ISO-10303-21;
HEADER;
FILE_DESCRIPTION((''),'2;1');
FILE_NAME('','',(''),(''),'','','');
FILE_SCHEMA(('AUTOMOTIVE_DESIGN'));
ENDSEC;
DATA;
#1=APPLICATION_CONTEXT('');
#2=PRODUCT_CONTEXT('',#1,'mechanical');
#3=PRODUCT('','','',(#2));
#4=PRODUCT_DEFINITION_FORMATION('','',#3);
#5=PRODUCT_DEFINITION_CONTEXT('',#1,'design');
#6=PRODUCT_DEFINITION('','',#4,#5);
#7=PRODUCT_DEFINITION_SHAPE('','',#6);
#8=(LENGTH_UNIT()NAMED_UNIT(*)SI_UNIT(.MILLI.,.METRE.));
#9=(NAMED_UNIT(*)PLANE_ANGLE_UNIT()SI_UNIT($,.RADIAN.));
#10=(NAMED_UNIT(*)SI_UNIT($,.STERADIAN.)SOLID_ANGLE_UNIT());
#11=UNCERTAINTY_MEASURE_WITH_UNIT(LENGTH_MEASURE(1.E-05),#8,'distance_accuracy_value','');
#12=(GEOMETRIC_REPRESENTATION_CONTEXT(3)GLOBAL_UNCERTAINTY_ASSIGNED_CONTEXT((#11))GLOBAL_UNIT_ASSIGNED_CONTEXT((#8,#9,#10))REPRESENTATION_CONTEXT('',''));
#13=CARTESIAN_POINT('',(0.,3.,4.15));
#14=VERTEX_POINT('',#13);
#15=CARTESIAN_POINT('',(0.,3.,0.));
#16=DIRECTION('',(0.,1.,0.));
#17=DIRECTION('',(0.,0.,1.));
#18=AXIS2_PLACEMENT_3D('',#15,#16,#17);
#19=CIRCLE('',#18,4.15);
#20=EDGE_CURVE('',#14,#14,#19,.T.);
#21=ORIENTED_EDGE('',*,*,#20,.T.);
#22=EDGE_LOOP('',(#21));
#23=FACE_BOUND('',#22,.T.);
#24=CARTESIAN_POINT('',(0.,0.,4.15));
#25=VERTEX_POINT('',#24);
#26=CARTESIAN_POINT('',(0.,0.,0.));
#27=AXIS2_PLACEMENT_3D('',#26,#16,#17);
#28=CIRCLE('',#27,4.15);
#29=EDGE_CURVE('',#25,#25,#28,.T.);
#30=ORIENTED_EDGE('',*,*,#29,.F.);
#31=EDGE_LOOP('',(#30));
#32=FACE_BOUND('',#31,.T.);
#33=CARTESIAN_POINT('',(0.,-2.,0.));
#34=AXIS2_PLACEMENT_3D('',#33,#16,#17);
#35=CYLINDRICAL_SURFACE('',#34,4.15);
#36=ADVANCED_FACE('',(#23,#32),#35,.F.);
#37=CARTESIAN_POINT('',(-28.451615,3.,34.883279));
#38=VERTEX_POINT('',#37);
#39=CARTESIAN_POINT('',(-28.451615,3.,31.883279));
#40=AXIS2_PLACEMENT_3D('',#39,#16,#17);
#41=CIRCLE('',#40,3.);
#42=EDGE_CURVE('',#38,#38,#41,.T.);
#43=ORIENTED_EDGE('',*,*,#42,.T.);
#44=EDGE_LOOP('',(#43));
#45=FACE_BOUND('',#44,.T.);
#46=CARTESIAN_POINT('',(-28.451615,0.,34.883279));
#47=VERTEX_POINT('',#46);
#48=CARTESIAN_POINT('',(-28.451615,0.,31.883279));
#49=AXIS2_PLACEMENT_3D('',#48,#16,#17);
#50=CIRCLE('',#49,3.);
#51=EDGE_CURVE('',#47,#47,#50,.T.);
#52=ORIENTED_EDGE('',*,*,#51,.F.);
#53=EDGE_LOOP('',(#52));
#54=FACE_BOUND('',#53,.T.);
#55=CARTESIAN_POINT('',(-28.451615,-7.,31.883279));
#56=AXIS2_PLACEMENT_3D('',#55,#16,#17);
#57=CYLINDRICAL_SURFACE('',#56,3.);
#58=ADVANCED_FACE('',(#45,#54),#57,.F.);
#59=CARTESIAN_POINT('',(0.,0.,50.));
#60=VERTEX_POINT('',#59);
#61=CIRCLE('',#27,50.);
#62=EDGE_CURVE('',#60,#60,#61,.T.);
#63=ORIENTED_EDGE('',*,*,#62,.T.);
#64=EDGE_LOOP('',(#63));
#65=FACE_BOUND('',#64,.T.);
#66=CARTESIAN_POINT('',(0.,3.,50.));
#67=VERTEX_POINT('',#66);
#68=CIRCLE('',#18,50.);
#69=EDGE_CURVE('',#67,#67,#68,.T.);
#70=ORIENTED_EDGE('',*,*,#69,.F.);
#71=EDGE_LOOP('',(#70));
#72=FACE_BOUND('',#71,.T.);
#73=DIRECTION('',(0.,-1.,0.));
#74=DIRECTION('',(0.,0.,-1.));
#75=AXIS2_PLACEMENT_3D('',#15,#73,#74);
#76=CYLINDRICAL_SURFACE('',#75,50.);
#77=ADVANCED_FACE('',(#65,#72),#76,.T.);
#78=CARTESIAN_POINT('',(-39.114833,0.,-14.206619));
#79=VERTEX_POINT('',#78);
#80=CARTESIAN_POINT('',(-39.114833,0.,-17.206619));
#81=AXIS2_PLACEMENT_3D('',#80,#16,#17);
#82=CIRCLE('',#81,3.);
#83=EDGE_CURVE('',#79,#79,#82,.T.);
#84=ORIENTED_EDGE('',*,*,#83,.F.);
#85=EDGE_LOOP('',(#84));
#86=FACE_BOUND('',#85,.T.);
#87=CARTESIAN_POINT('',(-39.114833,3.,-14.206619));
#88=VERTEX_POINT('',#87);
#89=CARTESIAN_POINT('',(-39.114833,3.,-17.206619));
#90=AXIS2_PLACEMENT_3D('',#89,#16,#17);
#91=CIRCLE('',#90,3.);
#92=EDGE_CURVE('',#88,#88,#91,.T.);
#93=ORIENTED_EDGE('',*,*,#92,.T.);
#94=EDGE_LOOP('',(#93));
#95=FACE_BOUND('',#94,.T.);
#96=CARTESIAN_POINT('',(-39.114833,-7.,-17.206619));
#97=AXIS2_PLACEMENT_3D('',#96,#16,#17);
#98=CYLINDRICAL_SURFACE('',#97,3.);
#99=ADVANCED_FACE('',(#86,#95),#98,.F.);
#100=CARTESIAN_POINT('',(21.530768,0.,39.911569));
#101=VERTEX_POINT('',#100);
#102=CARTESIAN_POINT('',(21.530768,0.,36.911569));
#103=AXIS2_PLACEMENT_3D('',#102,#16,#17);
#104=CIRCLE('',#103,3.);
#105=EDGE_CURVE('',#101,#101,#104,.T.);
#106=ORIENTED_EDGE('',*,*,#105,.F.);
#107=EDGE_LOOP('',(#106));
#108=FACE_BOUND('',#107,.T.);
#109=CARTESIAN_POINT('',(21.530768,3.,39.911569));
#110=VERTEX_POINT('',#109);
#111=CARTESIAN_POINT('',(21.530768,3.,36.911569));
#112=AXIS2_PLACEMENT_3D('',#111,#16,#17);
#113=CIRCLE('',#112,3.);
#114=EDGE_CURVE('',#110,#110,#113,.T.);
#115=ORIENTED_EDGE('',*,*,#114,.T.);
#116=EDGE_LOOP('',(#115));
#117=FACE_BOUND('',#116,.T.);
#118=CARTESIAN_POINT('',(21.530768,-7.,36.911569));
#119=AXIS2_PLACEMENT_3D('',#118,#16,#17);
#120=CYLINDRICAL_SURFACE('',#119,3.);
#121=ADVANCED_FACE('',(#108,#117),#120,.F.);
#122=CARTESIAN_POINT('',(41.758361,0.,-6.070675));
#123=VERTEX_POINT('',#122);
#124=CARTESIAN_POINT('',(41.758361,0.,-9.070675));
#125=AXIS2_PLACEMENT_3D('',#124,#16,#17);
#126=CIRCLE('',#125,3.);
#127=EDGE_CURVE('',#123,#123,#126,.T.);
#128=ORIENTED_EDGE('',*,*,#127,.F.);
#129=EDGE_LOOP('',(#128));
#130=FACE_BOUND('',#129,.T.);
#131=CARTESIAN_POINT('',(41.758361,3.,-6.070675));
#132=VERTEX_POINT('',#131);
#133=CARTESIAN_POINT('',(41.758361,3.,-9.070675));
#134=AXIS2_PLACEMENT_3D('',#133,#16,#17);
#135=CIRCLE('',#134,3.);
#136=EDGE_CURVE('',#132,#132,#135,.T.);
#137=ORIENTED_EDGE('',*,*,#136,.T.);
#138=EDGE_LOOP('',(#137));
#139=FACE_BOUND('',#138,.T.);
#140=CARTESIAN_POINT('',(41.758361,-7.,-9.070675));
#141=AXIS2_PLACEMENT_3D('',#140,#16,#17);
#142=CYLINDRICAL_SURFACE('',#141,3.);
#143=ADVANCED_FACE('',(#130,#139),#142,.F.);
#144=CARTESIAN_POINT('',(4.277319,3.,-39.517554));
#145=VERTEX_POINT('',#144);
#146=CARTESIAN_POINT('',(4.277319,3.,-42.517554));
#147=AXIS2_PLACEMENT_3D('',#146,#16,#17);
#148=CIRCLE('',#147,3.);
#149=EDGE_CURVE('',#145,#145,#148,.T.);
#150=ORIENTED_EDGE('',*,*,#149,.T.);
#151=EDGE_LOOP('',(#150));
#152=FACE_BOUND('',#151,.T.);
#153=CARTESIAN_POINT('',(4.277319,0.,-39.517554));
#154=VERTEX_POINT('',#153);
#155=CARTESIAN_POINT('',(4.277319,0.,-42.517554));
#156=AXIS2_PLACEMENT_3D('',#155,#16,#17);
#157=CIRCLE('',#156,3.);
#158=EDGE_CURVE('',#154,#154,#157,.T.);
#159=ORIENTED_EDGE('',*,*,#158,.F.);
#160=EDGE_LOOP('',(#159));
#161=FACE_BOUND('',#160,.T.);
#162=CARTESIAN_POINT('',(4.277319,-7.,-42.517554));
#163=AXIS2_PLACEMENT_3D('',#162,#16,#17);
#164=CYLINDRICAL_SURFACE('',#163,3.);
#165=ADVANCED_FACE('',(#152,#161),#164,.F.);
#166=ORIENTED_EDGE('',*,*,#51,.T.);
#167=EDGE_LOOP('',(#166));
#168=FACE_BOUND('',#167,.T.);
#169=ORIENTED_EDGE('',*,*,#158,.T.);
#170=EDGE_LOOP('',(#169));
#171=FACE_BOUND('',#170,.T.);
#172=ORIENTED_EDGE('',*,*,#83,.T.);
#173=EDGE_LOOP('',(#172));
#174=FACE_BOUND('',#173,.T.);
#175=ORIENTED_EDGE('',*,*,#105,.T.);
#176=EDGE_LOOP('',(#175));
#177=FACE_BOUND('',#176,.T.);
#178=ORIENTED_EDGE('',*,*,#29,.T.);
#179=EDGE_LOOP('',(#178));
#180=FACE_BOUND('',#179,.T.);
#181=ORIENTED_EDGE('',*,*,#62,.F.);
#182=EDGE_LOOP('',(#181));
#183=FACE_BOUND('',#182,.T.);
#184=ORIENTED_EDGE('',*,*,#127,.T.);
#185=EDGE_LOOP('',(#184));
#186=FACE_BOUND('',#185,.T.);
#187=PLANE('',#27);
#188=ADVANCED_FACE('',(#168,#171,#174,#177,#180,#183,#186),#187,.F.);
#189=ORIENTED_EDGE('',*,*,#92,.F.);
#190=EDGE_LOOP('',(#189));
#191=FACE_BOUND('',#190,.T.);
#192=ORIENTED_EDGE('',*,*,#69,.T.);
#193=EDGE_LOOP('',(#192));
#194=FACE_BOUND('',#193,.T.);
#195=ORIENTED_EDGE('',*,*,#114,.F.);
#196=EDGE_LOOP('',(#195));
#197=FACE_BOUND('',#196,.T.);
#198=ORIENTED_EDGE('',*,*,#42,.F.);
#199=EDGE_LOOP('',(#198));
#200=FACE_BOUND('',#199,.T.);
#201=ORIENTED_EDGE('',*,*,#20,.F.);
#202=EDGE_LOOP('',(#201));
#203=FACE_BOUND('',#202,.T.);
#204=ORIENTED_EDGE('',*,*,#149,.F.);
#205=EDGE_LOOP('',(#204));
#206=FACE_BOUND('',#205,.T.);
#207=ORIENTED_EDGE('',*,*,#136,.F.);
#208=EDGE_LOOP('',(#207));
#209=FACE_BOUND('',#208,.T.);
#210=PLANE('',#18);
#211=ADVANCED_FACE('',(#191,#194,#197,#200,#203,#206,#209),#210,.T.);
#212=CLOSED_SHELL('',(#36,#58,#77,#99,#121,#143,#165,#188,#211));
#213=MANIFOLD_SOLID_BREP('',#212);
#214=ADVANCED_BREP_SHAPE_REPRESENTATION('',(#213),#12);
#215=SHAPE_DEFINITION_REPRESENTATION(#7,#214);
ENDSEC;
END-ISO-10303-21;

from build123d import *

# Parameters (mm, degrees)
SKETCH1_R           = 50
BOSS_EXTRUDE1_DEPTH = 3
SKETCH2_R           = 4.15
CUT_EXTRUDE1_DEPTH  = 5
SKETCH3_R           = 3
CUT_EXTRUDE2_DEPTH  = 10


with BuildPart() as part:
    # Sketch1 → Boss-Extrude1 (new body)
    with BuildSketch(Plane(origin=(0, 0, 0), x_dir=(1, 0, 0), z_dir=(0, 1, 0))):
        with Locations(Location((0, 0, 0), (0, 0, 270))):
            Circle(SKETCH1_R)
    extrude(amount=BOSS_EXTRUDE1_DEPTH)

    # Sketch2 → Cut-Extrude1 (cut)
    with BuildSketch(Plane(origin=(0, 3, 0), x_dir=(1, 0, 0), z_dir=(0, 1, 0))):
        with Locations(Location((0, 0, 0), (0, 0, 270))):
            Circle(SKETCH2_R)
    extrude(amount=-CUT_EXTRUDE1_DEPTH, mode=Mode.SUBTRACT)

    # Sketch3 → Cut-Extrude2 (cut)
    with BuildSketch(Plane(origin=(0, 3, 0), x_dir=(1, 0, 0), z_dir=(0, 1, 0))):
        with Locations(Location((-28.451614764, -31.883278826, 0), (0, 0, 270))):
            Circle(SKETCH3_R)
        with Locations(Location((-39.114832567, 17.206618627, 0), (0, 0, 270))):
            Circle(SKETCH3_R)
        with Locations(Location((4.277318773, 42.517553969, 0), (0, 0, 270))):
            Circle(SKETCH3_R)
        with Locations(Location((41.75836095, 9.070674844, 0), (0, 0, 270))):
            Circle(SKETCH3_R)
        with Locations(Location((21.530767608, -36.911568614, 0), (0, 0, 270))):
            Circle(SKETCH3_R)
    extrude(amount=-CUT_EXTRUDE2_DEPTH, mode=Mode.SUBTRACT)


solid = part.part
